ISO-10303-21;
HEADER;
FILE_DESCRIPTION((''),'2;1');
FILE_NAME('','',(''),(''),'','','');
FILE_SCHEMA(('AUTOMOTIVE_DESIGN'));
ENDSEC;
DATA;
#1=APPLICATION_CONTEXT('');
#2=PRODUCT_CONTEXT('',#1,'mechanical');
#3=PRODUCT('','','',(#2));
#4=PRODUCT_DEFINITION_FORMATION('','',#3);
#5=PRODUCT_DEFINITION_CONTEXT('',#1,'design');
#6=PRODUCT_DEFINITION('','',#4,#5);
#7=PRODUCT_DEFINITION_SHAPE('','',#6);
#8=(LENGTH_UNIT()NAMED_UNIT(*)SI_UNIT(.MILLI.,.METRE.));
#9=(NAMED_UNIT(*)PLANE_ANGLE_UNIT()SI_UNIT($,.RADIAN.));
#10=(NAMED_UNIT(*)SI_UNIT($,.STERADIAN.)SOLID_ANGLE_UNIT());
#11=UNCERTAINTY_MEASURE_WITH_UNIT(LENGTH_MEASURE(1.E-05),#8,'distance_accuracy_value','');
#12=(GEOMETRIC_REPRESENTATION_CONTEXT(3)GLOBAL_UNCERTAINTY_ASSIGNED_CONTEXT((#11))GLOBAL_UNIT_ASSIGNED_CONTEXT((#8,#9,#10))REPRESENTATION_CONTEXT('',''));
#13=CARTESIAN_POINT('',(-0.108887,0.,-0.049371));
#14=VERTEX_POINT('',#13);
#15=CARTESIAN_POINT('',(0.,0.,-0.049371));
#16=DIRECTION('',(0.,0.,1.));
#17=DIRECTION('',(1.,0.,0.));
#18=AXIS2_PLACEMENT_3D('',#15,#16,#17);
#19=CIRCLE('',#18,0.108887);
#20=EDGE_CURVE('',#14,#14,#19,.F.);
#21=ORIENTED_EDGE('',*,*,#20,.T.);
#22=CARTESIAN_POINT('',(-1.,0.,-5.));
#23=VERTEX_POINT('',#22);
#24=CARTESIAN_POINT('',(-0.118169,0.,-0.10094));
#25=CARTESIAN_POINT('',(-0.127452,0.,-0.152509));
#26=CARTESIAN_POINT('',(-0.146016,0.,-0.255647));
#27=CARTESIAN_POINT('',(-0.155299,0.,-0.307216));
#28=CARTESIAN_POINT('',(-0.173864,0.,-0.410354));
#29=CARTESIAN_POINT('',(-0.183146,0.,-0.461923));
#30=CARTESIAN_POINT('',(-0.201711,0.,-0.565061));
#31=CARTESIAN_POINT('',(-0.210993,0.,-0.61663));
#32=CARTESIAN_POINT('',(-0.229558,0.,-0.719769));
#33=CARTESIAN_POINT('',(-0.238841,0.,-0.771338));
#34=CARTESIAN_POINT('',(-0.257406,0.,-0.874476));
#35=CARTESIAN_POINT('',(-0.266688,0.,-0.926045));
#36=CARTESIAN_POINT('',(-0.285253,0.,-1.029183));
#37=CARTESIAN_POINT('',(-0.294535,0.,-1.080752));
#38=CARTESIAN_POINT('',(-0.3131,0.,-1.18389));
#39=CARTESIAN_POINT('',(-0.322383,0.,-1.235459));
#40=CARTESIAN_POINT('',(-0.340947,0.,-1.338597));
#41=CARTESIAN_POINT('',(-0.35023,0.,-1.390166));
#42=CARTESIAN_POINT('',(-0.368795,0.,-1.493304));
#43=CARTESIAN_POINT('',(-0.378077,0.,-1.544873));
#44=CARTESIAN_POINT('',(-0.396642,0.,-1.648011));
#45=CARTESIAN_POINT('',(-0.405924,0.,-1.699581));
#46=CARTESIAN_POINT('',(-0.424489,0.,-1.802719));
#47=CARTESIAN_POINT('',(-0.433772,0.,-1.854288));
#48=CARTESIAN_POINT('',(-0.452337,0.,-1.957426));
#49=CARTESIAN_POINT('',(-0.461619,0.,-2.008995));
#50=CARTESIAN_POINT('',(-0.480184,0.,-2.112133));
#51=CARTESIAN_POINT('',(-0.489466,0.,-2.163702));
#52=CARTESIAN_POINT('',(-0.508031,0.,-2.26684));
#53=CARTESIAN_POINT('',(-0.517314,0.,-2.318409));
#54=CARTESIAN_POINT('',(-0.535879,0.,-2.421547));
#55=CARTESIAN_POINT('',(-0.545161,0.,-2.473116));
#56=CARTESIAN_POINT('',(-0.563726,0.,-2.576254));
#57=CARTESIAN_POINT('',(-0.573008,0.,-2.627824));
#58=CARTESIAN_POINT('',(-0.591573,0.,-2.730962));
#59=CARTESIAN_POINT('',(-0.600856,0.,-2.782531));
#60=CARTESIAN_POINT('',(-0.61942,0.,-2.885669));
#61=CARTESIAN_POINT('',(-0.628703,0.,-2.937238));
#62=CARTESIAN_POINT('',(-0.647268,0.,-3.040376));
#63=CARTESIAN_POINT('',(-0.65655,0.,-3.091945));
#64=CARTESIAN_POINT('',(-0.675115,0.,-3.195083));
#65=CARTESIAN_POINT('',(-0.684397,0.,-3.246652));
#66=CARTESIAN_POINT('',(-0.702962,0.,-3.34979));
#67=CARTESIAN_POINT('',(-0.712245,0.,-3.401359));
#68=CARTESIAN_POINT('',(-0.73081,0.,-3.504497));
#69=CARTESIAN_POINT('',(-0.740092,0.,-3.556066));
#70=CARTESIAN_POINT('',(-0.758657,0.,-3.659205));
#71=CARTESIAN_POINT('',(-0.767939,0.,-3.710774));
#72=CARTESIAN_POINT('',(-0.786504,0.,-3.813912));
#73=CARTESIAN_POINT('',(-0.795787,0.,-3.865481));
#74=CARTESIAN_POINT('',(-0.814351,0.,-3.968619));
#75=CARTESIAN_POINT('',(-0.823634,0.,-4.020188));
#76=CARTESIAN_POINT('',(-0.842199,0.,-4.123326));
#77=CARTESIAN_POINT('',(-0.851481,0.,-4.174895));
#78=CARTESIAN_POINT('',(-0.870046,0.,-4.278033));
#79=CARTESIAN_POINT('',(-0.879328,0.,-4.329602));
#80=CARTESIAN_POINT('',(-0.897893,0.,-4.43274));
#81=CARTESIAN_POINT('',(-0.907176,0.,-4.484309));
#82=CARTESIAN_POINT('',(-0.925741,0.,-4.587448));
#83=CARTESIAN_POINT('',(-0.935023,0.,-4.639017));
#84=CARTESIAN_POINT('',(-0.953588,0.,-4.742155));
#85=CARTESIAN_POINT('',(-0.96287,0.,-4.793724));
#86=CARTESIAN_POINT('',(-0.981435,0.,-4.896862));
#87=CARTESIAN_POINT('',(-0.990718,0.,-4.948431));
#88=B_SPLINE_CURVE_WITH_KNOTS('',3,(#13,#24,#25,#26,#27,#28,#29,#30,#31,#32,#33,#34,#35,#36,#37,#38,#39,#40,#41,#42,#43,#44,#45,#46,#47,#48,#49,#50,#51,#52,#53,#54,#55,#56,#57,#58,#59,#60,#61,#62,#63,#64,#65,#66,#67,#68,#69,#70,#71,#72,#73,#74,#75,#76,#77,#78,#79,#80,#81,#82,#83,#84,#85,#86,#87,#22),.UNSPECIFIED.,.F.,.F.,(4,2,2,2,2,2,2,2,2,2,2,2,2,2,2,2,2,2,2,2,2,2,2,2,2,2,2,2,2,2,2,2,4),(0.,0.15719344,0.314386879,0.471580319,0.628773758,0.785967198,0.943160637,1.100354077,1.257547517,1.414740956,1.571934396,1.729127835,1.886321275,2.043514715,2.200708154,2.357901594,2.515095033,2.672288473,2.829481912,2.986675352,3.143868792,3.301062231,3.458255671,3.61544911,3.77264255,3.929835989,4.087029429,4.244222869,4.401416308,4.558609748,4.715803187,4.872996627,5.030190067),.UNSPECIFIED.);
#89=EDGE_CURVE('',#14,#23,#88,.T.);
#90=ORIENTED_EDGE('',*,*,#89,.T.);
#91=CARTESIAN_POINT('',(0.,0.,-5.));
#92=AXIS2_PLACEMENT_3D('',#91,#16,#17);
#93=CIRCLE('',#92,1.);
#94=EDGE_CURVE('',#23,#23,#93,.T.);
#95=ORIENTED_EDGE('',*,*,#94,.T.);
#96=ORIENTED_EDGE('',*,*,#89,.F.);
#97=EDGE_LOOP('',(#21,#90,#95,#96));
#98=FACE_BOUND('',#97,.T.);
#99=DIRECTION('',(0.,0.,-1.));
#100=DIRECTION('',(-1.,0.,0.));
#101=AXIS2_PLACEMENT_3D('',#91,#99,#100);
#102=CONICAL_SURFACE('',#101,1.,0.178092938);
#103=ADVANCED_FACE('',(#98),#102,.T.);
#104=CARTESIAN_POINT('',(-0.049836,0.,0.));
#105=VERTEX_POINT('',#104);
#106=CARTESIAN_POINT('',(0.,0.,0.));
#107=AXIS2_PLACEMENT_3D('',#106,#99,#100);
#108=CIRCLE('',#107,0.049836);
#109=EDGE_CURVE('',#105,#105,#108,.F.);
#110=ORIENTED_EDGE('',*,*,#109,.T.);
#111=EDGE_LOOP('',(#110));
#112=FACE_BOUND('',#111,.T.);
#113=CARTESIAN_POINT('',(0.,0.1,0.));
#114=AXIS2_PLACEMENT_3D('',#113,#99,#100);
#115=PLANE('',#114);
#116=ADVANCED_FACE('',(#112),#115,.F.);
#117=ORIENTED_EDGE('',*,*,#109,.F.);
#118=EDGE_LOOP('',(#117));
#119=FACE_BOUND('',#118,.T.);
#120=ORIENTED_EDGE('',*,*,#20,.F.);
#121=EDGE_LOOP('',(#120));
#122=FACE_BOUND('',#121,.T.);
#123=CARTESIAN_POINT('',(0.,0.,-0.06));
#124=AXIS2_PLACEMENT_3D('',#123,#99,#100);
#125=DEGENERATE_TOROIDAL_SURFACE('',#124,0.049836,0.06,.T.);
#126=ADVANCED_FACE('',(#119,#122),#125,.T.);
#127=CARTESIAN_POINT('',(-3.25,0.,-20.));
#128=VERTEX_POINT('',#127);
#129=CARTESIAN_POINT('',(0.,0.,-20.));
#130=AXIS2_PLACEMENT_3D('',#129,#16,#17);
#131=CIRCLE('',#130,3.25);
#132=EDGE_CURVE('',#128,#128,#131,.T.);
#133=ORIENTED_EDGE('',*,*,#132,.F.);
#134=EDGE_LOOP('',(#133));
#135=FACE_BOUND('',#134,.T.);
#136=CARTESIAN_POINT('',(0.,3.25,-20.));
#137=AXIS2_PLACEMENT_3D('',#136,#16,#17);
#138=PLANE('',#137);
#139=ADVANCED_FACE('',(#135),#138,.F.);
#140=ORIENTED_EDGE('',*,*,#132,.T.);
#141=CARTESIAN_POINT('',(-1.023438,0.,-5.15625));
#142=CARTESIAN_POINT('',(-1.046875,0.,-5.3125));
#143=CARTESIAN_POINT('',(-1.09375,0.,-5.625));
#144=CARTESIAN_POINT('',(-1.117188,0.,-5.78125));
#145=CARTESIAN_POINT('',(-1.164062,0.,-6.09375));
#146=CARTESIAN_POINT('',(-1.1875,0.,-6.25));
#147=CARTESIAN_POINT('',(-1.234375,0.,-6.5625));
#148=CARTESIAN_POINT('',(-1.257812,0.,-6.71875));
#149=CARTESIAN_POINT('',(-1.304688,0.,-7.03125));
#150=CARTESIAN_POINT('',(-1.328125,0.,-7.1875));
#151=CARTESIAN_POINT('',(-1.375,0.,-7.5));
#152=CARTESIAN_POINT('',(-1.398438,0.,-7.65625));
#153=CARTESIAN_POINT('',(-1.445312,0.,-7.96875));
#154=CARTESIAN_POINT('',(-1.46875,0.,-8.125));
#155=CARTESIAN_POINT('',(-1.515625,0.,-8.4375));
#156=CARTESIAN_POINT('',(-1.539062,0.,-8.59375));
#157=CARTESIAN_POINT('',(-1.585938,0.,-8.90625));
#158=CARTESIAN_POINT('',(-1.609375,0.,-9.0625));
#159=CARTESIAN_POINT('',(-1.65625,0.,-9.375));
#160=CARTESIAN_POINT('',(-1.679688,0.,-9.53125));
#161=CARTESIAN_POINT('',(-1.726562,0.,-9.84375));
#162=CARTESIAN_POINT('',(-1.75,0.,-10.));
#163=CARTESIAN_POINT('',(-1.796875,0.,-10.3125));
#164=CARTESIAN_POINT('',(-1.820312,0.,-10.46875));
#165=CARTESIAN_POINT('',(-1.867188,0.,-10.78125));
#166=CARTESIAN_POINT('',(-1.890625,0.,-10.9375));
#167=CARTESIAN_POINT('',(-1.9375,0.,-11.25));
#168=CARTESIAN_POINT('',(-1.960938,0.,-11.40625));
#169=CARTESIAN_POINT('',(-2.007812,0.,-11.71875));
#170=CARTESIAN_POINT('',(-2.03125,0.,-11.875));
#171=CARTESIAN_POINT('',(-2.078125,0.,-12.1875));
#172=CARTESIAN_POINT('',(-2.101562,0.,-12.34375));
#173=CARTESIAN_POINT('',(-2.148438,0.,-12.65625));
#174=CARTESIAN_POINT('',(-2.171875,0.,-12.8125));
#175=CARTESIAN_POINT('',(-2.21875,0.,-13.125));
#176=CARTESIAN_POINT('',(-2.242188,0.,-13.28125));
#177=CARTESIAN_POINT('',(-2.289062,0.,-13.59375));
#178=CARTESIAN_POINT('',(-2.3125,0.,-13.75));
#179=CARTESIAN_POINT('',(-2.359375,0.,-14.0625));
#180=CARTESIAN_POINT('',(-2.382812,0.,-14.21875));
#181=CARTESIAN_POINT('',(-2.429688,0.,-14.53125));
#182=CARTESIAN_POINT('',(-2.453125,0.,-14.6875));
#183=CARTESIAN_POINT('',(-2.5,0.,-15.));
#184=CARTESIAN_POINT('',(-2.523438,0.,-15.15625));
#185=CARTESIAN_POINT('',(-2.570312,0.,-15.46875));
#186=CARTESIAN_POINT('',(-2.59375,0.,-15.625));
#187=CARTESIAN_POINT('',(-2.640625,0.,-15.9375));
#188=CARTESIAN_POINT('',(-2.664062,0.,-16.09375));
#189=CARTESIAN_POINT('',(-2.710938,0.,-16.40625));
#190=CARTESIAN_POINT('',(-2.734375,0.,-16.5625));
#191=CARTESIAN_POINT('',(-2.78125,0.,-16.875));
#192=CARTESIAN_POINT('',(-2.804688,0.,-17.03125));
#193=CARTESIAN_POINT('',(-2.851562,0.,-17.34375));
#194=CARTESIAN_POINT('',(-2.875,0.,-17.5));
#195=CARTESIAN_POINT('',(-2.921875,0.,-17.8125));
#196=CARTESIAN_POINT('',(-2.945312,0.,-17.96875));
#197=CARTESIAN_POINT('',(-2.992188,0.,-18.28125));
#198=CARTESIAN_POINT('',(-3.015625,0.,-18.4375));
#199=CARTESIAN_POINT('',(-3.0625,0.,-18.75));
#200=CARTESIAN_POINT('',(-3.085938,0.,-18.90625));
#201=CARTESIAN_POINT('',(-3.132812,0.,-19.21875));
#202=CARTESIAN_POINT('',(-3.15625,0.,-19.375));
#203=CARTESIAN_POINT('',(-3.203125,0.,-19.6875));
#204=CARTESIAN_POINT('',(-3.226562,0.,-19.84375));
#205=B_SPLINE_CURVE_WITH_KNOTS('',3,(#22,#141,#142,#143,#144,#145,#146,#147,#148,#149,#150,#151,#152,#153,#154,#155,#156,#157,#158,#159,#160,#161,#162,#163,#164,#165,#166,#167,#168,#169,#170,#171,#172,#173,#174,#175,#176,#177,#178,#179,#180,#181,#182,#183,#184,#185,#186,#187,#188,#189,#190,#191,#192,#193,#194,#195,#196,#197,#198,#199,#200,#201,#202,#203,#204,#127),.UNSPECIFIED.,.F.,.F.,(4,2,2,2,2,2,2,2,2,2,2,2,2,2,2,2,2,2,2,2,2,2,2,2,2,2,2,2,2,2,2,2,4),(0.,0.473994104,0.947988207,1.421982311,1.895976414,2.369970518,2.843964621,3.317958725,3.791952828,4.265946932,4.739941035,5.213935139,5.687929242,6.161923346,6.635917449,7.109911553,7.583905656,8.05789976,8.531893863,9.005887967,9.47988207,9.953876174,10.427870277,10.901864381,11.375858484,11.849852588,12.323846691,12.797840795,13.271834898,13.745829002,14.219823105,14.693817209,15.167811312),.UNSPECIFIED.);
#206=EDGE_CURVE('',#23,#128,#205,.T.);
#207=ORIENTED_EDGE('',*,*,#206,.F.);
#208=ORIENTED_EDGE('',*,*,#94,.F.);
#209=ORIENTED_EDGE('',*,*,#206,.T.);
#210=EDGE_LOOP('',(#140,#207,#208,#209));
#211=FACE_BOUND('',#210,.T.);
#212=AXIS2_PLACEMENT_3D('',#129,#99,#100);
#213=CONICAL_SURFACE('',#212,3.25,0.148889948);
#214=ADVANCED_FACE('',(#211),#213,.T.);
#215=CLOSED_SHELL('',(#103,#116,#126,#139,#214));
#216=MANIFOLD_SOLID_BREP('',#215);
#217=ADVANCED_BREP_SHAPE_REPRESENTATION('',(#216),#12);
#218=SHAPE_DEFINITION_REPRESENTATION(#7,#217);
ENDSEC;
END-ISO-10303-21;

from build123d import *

# Parameters (mm, degrees)
FILLET_3_R = 0.06


with BuildPart() as part:
    # Эскиз1 → Повернуть1 (revolve)
    with BuildSketch(Plane(origin=(0, 0, 0), x_dir=(0, 0, -1), z_dir=(1, 0, 0)), mode=Mode.PRIVATE) as revolve_1_sk:
        Polygon((5, 1), (0, 0.1), (0, 0), (20, 0), (20, 3.25), align=None)
    revolve(revolve_1_sk.sketch.rotate(Axis((0, 0, 107.572785956), (0, 0, -1)), 270), axis=Axis((0, 0, 107.572785956), (0, 0, -1)))

    # Скругление3
    fillet_3_edges = [part.edges().sort_by_distance(p)[0] for p in [
        (0.1, 0, 0),
    ]]
    fillet(fillet_3_edges, radius=FILLET_3_R)


solid = part.part
